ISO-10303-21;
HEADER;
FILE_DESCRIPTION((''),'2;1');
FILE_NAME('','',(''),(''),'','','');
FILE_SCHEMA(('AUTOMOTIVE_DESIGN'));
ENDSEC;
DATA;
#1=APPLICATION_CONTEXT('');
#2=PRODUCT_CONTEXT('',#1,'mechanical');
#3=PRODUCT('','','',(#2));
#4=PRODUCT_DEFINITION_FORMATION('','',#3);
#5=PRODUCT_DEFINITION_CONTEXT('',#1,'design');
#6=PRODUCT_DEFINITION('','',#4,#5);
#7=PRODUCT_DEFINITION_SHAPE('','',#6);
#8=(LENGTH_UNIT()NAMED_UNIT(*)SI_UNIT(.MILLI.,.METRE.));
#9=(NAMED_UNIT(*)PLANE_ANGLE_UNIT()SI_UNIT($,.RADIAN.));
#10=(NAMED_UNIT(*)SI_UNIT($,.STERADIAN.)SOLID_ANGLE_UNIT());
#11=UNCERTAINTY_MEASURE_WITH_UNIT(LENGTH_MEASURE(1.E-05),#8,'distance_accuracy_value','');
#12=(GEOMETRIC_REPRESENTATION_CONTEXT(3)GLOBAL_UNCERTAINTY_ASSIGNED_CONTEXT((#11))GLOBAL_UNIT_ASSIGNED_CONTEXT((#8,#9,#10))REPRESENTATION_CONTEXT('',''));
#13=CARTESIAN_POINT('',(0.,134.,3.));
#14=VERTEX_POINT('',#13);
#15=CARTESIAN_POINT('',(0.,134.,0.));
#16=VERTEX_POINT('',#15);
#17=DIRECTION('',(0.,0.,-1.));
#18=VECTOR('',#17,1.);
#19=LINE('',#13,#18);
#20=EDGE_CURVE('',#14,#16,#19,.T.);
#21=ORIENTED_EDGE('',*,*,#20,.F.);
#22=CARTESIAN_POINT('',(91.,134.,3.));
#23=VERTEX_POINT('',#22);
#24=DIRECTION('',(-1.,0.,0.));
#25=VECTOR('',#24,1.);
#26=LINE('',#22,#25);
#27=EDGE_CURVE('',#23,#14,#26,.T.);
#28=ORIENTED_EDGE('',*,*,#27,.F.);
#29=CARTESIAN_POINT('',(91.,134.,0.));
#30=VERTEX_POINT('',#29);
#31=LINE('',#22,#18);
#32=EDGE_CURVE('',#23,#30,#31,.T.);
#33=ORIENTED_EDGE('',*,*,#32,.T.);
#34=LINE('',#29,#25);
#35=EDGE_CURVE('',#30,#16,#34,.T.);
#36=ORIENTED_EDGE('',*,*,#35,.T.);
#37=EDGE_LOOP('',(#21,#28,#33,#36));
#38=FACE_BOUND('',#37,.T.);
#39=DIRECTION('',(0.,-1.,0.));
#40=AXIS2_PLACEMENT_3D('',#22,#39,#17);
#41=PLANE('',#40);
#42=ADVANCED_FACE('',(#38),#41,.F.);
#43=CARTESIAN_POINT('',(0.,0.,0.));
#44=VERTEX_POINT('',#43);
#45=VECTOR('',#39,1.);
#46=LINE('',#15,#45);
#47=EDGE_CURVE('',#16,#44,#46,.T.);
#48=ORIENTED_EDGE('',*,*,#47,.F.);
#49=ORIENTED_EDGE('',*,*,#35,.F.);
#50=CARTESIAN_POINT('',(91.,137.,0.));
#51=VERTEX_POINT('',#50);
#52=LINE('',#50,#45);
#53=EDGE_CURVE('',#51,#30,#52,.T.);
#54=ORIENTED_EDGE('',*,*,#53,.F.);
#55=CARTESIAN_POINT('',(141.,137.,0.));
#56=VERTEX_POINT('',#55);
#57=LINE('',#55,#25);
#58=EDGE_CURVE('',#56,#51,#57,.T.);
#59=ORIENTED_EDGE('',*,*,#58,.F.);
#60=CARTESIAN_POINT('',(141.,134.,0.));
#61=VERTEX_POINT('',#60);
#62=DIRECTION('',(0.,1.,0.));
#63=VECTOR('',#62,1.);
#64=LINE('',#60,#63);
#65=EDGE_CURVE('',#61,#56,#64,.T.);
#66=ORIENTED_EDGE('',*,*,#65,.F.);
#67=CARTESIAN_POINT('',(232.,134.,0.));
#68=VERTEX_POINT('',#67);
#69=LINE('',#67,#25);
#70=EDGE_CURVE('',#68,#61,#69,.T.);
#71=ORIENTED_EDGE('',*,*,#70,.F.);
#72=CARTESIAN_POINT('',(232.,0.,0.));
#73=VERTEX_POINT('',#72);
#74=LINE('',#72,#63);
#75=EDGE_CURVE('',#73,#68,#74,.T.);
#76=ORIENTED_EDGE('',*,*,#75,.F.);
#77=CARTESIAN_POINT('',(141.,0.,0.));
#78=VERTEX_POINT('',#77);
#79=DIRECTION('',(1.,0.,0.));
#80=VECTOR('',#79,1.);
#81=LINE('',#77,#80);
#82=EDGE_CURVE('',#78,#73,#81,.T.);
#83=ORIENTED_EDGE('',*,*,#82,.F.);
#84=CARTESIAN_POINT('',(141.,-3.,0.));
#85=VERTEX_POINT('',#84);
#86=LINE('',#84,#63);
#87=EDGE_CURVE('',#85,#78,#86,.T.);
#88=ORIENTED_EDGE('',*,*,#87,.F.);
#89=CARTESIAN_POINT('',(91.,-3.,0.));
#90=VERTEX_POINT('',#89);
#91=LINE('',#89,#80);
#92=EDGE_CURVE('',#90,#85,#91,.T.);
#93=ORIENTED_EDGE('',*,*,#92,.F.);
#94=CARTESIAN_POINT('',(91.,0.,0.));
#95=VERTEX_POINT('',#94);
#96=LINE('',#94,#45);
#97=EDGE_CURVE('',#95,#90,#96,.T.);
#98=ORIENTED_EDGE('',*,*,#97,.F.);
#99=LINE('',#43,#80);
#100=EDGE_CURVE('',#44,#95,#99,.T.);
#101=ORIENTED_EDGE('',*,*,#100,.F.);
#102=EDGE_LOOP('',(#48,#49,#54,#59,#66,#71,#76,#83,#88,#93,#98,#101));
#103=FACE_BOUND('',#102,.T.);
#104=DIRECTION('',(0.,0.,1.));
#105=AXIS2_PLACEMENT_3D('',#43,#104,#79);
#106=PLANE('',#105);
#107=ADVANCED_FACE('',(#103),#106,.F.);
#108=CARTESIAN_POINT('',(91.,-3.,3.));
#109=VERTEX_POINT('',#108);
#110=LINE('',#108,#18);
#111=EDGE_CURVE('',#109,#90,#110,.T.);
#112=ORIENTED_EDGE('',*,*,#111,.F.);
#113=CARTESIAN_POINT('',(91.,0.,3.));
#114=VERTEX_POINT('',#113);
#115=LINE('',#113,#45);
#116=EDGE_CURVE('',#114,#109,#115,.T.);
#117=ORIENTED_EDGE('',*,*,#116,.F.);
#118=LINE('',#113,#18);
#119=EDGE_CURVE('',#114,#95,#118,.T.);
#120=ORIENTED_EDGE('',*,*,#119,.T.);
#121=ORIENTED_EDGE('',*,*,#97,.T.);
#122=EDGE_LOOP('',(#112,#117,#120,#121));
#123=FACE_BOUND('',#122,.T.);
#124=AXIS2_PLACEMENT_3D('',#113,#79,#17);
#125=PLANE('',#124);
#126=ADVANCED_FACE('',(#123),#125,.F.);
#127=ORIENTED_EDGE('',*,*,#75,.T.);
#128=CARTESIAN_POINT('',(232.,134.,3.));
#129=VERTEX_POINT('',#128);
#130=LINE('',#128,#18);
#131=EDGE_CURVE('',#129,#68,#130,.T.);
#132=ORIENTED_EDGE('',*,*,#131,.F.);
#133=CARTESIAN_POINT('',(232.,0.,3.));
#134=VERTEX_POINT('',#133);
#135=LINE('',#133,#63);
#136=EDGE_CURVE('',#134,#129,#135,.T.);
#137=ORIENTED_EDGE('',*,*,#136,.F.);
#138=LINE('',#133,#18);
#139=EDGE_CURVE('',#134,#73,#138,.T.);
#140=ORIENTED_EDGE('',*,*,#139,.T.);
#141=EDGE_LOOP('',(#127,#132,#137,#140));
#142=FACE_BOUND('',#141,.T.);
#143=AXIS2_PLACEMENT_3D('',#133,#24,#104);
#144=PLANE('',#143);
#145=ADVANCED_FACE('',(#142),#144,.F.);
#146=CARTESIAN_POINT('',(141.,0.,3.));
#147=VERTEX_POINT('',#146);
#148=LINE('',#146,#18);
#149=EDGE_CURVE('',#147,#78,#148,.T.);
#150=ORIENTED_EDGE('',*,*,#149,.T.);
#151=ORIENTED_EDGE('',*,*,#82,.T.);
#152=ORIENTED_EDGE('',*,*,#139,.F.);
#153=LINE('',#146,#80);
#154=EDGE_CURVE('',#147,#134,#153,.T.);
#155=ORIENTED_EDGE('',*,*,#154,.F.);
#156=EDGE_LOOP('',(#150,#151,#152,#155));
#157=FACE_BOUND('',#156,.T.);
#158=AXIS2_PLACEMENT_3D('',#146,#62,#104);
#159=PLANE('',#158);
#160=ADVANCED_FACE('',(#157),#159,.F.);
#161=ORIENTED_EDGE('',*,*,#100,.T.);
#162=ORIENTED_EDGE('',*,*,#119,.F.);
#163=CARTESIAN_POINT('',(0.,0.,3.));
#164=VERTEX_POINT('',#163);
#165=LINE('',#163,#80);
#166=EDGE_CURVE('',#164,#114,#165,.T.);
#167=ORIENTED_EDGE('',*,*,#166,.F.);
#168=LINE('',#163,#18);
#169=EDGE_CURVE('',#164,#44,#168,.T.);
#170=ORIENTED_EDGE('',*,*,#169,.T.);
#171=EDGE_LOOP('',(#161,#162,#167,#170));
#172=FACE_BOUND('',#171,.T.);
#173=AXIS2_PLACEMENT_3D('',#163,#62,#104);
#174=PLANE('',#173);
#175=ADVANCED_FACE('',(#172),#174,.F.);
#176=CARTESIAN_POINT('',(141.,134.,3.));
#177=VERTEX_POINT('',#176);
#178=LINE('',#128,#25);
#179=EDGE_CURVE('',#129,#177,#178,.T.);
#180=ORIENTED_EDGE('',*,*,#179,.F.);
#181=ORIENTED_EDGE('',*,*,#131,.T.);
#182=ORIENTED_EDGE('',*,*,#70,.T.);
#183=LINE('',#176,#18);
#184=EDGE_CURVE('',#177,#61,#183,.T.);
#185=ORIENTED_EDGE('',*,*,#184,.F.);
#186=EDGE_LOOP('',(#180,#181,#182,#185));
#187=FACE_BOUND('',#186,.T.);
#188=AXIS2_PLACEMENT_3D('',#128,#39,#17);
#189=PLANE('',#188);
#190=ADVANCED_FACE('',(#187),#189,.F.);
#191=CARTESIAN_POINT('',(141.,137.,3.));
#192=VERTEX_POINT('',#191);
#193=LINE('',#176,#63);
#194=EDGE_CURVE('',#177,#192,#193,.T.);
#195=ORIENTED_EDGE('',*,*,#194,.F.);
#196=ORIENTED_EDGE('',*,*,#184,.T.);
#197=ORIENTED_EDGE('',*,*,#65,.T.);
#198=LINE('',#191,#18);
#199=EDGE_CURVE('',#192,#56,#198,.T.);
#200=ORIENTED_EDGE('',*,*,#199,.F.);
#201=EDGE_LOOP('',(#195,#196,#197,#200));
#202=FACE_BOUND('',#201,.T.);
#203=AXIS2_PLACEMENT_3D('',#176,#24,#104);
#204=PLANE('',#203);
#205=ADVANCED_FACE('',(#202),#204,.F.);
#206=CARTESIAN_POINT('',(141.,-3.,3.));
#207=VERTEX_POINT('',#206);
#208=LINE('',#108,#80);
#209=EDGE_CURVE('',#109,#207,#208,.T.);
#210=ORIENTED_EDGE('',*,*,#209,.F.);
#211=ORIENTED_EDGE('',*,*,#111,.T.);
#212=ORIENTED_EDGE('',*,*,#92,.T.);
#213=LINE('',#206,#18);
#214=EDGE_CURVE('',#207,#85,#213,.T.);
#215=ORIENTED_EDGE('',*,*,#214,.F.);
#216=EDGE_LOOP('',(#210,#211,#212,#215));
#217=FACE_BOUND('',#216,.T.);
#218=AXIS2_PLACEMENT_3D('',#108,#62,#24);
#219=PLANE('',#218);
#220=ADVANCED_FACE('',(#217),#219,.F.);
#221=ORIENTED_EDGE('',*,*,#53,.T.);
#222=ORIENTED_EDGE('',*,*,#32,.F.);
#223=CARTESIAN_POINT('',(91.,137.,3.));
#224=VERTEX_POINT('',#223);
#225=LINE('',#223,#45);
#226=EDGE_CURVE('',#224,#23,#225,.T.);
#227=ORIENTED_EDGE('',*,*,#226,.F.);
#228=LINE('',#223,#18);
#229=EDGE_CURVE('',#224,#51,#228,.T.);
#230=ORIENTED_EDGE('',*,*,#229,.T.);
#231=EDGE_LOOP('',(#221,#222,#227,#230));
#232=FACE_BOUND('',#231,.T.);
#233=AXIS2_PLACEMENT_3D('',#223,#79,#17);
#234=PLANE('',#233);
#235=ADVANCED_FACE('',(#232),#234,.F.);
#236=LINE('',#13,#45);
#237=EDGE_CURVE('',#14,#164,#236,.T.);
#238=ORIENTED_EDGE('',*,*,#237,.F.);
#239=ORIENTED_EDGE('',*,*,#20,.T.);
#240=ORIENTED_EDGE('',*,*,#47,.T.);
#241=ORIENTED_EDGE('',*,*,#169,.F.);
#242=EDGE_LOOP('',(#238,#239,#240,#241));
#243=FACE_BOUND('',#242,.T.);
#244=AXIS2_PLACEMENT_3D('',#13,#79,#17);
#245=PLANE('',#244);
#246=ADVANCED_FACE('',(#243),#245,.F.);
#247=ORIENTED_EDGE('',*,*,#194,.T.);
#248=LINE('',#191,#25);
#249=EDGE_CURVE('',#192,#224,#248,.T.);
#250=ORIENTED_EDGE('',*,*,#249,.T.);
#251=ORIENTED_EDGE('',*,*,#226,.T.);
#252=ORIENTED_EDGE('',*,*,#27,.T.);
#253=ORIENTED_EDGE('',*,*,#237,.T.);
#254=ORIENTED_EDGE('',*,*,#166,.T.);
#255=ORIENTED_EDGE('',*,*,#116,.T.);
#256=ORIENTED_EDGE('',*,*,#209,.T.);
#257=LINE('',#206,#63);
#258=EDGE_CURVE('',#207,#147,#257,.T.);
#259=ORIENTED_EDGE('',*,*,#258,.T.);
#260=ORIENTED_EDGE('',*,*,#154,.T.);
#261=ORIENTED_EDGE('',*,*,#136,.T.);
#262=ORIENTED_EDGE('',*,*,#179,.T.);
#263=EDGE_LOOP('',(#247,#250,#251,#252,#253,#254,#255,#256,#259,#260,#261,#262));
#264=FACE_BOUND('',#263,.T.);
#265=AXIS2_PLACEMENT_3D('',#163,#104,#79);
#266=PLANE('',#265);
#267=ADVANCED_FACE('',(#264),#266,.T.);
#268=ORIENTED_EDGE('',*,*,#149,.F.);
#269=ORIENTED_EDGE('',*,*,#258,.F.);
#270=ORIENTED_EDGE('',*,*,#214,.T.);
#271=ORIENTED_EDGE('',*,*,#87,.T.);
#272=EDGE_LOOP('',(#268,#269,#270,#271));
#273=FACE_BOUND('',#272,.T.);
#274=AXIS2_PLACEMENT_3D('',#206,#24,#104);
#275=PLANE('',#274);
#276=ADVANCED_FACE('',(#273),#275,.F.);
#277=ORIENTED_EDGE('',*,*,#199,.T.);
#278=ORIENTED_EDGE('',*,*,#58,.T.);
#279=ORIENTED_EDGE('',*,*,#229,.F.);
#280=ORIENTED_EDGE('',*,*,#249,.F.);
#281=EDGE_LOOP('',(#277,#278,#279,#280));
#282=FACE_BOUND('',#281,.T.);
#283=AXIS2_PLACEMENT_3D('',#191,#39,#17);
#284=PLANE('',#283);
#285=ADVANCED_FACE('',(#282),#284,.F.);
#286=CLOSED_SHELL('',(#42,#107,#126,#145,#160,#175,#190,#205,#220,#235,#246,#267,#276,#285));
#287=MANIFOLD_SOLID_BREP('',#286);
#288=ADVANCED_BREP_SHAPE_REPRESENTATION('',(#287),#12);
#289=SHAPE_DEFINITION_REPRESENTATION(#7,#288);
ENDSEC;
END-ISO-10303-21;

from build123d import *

# Parameters (mm, degrees)
RESSALTO_EXTRUS_O1_DEPTH = 3


with BuildPart() as part:
    # Esboço1 → Ressalto-extrusão1 (new body)
    with BuildSketch(Plane.XY):
        Polygon((0, 0), (91, 0), (91, -3), (141, -3), (141, 0), (232, 0), (232, 134), (141, 134), (141, 137), (91, 137), (91, 134), (0, 134), align=None)
    extrude(amount=RESSALTO_EXTRUS_O1_DEPTH)


solid = part.part
